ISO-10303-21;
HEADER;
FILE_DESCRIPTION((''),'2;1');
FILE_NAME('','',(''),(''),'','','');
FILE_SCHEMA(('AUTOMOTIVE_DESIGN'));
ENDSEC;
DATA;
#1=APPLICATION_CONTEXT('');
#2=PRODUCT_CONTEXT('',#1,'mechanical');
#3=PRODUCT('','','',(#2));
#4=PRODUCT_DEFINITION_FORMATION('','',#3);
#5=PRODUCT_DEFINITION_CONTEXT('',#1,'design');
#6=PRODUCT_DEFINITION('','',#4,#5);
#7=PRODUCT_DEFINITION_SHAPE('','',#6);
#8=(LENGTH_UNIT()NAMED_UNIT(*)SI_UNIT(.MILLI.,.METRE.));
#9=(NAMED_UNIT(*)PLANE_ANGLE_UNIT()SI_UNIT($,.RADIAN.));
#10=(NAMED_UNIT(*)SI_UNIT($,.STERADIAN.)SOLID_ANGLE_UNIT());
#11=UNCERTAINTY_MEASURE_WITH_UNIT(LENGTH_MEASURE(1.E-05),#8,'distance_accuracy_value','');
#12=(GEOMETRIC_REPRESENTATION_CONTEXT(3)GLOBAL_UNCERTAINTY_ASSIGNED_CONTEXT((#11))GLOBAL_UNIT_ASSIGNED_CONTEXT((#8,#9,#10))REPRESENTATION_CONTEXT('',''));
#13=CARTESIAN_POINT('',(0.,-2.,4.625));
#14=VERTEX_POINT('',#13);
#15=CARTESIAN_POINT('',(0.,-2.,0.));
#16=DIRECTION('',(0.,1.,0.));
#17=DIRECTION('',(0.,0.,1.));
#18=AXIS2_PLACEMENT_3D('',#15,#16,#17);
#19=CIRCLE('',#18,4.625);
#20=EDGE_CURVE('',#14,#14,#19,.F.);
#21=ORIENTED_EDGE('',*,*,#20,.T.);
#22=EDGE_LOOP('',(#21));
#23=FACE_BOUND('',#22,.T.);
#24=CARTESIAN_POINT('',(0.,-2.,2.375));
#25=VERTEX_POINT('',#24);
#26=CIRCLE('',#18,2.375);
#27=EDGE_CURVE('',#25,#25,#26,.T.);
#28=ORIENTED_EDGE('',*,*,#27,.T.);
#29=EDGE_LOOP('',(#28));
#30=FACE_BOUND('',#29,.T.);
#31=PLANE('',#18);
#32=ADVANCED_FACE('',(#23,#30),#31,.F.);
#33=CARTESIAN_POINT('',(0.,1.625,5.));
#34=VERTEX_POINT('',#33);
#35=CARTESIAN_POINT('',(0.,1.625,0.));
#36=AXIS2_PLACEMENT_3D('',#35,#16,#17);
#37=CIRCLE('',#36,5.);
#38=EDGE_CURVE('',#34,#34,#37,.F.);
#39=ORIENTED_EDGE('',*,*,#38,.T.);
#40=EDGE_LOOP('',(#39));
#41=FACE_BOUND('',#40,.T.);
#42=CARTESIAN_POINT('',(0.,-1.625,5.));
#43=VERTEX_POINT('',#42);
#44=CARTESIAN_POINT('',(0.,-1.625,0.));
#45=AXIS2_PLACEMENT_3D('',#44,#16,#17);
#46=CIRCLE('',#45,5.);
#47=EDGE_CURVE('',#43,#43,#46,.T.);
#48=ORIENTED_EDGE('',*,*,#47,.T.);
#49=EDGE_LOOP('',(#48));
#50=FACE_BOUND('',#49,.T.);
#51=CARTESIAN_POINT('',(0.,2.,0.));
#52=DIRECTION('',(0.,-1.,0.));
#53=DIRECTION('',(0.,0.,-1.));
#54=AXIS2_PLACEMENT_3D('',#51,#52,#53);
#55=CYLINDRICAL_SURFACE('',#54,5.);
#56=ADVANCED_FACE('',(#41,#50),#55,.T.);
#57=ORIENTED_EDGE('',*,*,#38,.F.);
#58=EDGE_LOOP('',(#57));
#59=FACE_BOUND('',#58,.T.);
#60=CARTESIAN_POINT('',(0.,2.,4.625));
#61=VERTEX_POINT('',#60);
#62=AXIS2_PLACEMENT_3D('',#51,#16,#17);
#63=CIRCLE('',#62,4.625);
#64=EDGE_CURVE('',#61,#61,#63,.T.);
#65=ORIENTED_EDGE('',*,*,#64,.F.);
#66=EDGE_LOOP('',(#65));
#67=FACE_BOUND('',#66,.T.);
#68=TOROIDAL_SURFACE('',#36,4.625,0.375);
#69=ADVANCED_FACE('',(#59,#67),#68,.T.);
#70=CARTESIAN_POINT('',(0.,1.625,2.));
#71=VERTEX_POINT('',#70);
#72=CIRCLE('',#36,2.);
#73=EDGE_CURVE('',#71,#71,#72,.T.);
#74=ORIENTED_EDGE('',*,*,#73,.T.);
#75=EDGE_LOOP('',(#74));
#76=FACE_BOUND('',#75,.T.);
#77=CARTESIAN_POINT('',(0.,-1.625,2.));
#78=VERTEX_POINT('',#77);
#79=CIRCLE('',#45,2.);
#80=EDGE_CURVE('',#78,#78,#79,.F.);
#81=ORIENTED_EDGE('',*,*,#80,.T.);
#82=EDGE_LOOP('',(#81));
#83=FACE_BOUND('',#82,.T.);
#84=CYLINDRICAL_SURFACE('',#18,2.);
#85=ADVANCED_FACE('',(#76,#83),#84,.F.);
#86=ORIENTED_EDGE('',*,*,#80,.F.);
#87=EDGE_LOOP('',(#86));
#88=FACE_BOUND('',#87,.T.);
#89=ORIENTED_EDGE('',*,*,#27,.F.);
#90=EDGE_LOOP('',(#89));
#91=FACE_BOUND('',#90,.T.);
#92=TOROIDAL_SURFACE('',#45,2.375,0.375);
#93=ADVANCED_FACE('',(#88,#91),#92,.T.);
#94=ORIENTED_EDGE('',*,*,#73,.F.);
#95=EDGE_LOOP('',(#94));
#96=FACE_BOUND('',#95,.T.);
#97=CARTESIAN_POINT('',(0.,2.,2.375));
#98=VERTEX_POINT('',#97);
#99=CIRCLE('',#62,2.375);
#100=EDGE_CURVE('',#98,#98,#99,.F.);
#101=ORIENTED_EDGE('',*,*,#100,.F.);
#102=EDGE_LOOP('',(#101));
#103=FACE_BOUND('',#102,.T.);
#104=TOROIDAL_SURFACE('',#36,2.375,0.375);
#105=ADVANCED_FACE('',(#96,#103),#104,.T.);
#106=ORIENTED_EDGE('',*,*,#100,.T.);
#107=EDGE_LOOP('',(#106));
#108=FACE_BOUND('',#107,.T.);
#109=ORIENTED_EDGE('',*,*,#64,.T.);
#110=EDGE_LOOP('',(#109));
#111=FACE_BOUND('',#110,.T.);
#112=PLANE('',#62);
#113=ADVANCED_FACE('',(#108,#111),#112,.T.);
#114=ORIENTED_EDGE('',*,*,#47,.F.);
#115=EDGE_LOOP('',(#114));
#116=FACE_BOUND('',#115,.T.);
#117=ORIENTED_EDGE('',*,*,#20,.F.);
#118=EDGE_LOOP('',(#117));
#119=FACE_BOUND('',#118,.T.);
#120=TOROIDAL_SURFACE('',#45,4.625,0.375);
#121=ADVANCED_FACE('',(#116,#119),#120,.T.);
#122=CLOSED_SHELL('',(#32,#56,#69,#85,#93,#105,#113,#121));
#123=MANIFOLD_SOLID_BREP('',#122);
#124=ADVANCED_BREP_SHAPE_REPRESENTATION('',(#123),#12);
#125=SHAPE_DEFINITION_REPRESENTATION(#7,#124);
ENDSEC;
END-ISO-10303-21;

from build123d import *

# Parameters (mm, degrees)
SKETCH1_R               = 5
BOSS_EXTRUDE1_DEPTH     = 2
SKETCH2_R               = 2
CUT_EXTRUDE1_DEPTH      = 3
CUT_EXTRUDE1_DEPTH_BACK = 3
FILLET1_R               = 0.375


with BuildPart() as part:
    # Sketch1 → Boss-Extrude1 (new body, symmetric)
    with BuildSketch(Plane(origin=(0, 0, 0), x_dir=(1, 0, 0), z_dir=(0, 1, 0))):
        Circle(SKETCH1_R)
    extrude(amount=BOSS_EXTRUDE1_DEPTH, both=True)

    # Sketch2 → Cut-Extrude1 (cut, two sides)
    with BuildSketch(Plane(origin=(0, 0, 0), x_dir=(1, 0, 0), z_dir=(0, 1, 0))) as cut_extrude1_sk:
        Circle(SKETCH2_R)
    extrude(amount=CUT_EXTRUDE1_DEPTH, mode=Mode.SUBTRACT)
    extrude(cut_extrude1_sk.sketch, amount=-CUT_EXTRUDE1_DEPTH_BACK, mode=Mode.SUBTRACT)

    # Fillet1
    fillet1_edges = [part.edges().sort_by_distance(p)[0] for p in [
        (-5, -2, 0),
        (-5, 2, 0),
        (-2, -2, 0),
        (-2, 2, 0),
    ]]
    fillet(fillet1_edges, radius=FILLET1_R)


solid = part.part
